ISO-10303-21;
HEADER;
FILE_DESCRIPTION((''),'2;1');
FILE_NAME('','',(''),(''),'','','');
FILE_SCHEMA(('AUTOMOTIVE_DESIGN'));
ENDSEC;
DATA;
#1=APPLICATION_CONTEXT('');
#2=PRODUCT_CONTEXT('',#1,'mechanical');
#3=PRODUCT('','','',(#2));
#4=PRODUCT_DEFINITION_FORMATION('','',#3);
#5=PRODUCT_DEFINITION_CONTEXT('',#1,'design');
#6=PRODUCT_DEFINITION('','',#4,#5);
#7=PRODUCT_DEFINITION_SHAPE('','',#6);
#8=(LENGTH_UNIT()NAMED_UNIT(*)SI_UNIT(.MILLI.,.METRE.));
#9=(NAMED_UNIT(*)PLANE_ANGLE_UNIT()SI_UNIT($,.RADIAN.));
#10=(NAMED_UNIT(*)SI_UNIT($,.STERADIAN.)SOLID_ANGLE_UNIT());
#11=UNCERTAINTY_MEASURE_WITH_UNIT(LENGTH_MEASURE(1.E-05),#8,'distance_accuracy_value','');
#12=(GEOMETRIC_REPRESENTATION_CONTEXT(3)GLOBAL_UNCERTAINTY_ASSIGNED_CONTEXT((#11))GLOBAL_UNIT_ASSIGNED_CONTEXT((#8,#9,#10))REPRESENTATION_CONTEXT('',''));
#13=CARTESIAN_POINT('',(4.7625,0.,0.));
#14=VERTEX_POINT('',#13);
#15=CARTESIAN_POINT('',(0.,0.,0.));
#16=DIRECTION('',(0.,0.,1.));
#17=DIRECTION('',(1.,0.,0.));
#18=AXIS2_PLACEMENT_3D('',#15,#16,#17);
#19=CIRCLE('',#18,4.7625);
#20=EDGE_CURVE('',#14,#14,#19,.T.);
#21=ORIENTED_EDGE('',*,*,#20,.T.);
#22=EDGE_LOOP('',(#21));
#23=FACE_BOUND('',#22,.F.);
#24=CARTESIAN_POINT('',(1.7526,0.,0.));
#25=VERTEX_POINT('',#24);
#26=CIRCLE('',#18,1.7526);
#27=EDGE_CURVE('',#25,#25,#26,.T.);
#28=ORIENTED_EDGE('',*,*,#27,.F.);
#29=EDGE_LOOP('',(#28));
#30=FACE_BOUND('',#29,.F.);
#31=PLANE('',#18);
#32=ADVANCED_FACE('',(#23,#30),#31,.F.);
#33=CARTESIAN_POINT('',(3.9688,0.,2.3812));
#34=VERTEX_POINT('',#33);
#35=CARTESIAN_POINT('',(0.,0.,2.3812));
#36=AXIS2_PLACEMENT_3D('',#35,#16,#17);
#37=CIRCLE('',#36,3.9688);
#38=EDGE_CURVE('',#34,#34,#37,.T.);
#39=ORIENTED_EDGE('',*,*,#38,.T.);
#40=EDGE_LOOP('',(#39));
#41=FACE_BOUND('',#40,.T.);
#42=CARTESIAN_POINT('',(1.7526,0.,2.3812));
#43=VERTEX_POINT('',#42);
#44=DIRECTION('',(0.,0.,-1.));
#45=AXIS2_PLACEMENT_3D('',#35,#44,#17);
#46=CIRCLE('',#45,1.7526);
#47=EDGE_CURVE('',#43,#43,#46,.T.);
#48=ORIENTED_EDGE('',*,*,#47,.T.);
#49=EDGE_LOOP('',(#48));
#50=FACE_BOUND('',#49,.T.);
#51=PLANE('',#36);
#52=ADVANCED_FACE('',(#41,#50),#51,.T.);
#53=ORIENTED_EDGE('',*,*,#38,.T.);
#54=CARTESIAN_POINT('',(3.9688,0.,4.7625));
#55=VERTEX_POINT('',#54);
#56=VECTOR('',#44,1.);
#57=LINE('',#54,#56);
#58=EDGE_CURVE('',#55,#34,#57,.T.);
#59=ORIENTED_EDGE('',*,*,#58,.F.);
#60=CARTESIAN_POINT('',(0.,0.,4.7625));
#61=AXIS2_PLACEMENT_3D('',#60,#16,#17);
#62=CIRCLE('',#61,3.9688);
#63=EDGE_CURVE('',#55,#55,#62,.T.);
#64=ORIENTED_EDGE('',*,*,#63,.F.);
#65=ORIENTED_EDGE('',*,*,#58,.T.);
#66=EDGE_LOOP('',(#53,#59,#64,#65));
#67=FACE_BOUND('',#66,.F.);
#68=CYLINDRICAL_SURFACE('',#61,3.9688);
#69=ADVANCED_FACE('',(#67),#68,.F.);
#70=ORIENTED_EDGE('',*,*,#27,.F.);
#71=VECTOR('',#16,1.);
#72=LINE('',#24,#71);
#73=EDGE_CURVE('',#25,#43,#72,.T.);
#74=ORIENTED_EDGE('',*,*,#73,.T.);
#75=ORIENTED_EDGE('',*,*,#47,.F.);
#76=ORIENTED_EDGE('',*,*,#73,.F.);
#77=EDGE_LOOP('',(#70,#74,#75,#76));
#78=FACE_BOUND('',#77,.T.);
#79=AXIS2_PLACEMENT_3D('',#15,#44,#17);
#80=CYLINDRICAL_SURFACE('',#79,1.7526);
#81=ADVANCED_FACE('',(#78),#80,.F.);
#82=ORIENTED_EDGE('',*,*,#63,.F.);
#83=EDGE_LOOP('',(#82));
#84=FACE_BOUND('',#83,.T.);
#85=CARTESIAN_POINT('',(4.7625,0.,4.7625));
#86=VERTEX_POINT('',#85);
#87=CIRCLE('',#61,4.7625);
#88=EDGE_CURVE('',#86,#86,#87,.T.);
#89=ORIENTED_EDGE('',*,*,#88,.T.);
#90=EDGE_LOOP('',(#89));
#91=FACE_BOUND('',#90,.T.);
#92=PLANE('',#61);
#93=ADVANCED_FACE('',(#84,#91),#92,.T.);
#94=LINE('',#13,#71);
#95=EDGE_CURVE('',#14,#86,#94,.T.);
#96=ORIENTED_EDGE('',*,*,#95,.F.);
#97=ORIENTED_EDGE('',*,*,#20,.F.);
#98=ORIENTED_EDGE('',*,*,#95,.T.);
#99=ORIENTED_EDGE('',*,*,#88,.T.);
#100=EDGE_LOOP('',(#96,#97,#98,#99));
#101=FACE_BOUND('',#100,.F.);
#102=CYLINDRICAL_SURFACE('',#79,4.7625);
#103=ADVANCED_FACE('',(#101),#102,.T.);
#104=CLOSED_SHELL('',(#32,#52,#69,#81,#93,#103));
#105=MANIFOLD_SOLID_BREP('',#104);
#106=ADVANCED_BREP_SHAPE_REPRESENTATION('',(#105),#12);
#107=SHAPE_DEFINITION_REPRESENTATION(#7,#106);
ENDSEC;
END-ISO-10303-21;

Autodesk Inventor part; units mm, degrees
ref_plane "YZ Plane" through (0, 0, 0) normal (1, 0, 0) x (0, 1, 0)
ref_plane "XZ Plane" through (0, 0, 0) normal (0, 1, 0) x (-1, 0, 0)
ref_plane "XY Plane" through (0, 0, 0) normal (0, 0, 1) x (1, 0, 0)
sketch "Sketch1" plane through (0, 0, 0) normal (0, 0, 1) x (1, 0, 0)
  circle A0 centre (0, 0) radius 4.7625
  circle A1 centre (0, 0) radius 1.7526
  dimension "d0" = 9.525
  dimension "d1" = 3.5052
extrude "Extrusion1" add sketch "Sketch1" along normal blind 4.7625
sketch "Sketch2" plane through (0, 0, 4.7625) normal (0, 0, 1) x (1, 0, 0)
  circle A0 centre (0, 0) radius 3.9688
  dimension "d4" = 7.9375
extrude "Extrusion2" cut sketch "Sketch2" against normal blind 2.3813
properties part number "Roller" material "Nylon 6/6"
